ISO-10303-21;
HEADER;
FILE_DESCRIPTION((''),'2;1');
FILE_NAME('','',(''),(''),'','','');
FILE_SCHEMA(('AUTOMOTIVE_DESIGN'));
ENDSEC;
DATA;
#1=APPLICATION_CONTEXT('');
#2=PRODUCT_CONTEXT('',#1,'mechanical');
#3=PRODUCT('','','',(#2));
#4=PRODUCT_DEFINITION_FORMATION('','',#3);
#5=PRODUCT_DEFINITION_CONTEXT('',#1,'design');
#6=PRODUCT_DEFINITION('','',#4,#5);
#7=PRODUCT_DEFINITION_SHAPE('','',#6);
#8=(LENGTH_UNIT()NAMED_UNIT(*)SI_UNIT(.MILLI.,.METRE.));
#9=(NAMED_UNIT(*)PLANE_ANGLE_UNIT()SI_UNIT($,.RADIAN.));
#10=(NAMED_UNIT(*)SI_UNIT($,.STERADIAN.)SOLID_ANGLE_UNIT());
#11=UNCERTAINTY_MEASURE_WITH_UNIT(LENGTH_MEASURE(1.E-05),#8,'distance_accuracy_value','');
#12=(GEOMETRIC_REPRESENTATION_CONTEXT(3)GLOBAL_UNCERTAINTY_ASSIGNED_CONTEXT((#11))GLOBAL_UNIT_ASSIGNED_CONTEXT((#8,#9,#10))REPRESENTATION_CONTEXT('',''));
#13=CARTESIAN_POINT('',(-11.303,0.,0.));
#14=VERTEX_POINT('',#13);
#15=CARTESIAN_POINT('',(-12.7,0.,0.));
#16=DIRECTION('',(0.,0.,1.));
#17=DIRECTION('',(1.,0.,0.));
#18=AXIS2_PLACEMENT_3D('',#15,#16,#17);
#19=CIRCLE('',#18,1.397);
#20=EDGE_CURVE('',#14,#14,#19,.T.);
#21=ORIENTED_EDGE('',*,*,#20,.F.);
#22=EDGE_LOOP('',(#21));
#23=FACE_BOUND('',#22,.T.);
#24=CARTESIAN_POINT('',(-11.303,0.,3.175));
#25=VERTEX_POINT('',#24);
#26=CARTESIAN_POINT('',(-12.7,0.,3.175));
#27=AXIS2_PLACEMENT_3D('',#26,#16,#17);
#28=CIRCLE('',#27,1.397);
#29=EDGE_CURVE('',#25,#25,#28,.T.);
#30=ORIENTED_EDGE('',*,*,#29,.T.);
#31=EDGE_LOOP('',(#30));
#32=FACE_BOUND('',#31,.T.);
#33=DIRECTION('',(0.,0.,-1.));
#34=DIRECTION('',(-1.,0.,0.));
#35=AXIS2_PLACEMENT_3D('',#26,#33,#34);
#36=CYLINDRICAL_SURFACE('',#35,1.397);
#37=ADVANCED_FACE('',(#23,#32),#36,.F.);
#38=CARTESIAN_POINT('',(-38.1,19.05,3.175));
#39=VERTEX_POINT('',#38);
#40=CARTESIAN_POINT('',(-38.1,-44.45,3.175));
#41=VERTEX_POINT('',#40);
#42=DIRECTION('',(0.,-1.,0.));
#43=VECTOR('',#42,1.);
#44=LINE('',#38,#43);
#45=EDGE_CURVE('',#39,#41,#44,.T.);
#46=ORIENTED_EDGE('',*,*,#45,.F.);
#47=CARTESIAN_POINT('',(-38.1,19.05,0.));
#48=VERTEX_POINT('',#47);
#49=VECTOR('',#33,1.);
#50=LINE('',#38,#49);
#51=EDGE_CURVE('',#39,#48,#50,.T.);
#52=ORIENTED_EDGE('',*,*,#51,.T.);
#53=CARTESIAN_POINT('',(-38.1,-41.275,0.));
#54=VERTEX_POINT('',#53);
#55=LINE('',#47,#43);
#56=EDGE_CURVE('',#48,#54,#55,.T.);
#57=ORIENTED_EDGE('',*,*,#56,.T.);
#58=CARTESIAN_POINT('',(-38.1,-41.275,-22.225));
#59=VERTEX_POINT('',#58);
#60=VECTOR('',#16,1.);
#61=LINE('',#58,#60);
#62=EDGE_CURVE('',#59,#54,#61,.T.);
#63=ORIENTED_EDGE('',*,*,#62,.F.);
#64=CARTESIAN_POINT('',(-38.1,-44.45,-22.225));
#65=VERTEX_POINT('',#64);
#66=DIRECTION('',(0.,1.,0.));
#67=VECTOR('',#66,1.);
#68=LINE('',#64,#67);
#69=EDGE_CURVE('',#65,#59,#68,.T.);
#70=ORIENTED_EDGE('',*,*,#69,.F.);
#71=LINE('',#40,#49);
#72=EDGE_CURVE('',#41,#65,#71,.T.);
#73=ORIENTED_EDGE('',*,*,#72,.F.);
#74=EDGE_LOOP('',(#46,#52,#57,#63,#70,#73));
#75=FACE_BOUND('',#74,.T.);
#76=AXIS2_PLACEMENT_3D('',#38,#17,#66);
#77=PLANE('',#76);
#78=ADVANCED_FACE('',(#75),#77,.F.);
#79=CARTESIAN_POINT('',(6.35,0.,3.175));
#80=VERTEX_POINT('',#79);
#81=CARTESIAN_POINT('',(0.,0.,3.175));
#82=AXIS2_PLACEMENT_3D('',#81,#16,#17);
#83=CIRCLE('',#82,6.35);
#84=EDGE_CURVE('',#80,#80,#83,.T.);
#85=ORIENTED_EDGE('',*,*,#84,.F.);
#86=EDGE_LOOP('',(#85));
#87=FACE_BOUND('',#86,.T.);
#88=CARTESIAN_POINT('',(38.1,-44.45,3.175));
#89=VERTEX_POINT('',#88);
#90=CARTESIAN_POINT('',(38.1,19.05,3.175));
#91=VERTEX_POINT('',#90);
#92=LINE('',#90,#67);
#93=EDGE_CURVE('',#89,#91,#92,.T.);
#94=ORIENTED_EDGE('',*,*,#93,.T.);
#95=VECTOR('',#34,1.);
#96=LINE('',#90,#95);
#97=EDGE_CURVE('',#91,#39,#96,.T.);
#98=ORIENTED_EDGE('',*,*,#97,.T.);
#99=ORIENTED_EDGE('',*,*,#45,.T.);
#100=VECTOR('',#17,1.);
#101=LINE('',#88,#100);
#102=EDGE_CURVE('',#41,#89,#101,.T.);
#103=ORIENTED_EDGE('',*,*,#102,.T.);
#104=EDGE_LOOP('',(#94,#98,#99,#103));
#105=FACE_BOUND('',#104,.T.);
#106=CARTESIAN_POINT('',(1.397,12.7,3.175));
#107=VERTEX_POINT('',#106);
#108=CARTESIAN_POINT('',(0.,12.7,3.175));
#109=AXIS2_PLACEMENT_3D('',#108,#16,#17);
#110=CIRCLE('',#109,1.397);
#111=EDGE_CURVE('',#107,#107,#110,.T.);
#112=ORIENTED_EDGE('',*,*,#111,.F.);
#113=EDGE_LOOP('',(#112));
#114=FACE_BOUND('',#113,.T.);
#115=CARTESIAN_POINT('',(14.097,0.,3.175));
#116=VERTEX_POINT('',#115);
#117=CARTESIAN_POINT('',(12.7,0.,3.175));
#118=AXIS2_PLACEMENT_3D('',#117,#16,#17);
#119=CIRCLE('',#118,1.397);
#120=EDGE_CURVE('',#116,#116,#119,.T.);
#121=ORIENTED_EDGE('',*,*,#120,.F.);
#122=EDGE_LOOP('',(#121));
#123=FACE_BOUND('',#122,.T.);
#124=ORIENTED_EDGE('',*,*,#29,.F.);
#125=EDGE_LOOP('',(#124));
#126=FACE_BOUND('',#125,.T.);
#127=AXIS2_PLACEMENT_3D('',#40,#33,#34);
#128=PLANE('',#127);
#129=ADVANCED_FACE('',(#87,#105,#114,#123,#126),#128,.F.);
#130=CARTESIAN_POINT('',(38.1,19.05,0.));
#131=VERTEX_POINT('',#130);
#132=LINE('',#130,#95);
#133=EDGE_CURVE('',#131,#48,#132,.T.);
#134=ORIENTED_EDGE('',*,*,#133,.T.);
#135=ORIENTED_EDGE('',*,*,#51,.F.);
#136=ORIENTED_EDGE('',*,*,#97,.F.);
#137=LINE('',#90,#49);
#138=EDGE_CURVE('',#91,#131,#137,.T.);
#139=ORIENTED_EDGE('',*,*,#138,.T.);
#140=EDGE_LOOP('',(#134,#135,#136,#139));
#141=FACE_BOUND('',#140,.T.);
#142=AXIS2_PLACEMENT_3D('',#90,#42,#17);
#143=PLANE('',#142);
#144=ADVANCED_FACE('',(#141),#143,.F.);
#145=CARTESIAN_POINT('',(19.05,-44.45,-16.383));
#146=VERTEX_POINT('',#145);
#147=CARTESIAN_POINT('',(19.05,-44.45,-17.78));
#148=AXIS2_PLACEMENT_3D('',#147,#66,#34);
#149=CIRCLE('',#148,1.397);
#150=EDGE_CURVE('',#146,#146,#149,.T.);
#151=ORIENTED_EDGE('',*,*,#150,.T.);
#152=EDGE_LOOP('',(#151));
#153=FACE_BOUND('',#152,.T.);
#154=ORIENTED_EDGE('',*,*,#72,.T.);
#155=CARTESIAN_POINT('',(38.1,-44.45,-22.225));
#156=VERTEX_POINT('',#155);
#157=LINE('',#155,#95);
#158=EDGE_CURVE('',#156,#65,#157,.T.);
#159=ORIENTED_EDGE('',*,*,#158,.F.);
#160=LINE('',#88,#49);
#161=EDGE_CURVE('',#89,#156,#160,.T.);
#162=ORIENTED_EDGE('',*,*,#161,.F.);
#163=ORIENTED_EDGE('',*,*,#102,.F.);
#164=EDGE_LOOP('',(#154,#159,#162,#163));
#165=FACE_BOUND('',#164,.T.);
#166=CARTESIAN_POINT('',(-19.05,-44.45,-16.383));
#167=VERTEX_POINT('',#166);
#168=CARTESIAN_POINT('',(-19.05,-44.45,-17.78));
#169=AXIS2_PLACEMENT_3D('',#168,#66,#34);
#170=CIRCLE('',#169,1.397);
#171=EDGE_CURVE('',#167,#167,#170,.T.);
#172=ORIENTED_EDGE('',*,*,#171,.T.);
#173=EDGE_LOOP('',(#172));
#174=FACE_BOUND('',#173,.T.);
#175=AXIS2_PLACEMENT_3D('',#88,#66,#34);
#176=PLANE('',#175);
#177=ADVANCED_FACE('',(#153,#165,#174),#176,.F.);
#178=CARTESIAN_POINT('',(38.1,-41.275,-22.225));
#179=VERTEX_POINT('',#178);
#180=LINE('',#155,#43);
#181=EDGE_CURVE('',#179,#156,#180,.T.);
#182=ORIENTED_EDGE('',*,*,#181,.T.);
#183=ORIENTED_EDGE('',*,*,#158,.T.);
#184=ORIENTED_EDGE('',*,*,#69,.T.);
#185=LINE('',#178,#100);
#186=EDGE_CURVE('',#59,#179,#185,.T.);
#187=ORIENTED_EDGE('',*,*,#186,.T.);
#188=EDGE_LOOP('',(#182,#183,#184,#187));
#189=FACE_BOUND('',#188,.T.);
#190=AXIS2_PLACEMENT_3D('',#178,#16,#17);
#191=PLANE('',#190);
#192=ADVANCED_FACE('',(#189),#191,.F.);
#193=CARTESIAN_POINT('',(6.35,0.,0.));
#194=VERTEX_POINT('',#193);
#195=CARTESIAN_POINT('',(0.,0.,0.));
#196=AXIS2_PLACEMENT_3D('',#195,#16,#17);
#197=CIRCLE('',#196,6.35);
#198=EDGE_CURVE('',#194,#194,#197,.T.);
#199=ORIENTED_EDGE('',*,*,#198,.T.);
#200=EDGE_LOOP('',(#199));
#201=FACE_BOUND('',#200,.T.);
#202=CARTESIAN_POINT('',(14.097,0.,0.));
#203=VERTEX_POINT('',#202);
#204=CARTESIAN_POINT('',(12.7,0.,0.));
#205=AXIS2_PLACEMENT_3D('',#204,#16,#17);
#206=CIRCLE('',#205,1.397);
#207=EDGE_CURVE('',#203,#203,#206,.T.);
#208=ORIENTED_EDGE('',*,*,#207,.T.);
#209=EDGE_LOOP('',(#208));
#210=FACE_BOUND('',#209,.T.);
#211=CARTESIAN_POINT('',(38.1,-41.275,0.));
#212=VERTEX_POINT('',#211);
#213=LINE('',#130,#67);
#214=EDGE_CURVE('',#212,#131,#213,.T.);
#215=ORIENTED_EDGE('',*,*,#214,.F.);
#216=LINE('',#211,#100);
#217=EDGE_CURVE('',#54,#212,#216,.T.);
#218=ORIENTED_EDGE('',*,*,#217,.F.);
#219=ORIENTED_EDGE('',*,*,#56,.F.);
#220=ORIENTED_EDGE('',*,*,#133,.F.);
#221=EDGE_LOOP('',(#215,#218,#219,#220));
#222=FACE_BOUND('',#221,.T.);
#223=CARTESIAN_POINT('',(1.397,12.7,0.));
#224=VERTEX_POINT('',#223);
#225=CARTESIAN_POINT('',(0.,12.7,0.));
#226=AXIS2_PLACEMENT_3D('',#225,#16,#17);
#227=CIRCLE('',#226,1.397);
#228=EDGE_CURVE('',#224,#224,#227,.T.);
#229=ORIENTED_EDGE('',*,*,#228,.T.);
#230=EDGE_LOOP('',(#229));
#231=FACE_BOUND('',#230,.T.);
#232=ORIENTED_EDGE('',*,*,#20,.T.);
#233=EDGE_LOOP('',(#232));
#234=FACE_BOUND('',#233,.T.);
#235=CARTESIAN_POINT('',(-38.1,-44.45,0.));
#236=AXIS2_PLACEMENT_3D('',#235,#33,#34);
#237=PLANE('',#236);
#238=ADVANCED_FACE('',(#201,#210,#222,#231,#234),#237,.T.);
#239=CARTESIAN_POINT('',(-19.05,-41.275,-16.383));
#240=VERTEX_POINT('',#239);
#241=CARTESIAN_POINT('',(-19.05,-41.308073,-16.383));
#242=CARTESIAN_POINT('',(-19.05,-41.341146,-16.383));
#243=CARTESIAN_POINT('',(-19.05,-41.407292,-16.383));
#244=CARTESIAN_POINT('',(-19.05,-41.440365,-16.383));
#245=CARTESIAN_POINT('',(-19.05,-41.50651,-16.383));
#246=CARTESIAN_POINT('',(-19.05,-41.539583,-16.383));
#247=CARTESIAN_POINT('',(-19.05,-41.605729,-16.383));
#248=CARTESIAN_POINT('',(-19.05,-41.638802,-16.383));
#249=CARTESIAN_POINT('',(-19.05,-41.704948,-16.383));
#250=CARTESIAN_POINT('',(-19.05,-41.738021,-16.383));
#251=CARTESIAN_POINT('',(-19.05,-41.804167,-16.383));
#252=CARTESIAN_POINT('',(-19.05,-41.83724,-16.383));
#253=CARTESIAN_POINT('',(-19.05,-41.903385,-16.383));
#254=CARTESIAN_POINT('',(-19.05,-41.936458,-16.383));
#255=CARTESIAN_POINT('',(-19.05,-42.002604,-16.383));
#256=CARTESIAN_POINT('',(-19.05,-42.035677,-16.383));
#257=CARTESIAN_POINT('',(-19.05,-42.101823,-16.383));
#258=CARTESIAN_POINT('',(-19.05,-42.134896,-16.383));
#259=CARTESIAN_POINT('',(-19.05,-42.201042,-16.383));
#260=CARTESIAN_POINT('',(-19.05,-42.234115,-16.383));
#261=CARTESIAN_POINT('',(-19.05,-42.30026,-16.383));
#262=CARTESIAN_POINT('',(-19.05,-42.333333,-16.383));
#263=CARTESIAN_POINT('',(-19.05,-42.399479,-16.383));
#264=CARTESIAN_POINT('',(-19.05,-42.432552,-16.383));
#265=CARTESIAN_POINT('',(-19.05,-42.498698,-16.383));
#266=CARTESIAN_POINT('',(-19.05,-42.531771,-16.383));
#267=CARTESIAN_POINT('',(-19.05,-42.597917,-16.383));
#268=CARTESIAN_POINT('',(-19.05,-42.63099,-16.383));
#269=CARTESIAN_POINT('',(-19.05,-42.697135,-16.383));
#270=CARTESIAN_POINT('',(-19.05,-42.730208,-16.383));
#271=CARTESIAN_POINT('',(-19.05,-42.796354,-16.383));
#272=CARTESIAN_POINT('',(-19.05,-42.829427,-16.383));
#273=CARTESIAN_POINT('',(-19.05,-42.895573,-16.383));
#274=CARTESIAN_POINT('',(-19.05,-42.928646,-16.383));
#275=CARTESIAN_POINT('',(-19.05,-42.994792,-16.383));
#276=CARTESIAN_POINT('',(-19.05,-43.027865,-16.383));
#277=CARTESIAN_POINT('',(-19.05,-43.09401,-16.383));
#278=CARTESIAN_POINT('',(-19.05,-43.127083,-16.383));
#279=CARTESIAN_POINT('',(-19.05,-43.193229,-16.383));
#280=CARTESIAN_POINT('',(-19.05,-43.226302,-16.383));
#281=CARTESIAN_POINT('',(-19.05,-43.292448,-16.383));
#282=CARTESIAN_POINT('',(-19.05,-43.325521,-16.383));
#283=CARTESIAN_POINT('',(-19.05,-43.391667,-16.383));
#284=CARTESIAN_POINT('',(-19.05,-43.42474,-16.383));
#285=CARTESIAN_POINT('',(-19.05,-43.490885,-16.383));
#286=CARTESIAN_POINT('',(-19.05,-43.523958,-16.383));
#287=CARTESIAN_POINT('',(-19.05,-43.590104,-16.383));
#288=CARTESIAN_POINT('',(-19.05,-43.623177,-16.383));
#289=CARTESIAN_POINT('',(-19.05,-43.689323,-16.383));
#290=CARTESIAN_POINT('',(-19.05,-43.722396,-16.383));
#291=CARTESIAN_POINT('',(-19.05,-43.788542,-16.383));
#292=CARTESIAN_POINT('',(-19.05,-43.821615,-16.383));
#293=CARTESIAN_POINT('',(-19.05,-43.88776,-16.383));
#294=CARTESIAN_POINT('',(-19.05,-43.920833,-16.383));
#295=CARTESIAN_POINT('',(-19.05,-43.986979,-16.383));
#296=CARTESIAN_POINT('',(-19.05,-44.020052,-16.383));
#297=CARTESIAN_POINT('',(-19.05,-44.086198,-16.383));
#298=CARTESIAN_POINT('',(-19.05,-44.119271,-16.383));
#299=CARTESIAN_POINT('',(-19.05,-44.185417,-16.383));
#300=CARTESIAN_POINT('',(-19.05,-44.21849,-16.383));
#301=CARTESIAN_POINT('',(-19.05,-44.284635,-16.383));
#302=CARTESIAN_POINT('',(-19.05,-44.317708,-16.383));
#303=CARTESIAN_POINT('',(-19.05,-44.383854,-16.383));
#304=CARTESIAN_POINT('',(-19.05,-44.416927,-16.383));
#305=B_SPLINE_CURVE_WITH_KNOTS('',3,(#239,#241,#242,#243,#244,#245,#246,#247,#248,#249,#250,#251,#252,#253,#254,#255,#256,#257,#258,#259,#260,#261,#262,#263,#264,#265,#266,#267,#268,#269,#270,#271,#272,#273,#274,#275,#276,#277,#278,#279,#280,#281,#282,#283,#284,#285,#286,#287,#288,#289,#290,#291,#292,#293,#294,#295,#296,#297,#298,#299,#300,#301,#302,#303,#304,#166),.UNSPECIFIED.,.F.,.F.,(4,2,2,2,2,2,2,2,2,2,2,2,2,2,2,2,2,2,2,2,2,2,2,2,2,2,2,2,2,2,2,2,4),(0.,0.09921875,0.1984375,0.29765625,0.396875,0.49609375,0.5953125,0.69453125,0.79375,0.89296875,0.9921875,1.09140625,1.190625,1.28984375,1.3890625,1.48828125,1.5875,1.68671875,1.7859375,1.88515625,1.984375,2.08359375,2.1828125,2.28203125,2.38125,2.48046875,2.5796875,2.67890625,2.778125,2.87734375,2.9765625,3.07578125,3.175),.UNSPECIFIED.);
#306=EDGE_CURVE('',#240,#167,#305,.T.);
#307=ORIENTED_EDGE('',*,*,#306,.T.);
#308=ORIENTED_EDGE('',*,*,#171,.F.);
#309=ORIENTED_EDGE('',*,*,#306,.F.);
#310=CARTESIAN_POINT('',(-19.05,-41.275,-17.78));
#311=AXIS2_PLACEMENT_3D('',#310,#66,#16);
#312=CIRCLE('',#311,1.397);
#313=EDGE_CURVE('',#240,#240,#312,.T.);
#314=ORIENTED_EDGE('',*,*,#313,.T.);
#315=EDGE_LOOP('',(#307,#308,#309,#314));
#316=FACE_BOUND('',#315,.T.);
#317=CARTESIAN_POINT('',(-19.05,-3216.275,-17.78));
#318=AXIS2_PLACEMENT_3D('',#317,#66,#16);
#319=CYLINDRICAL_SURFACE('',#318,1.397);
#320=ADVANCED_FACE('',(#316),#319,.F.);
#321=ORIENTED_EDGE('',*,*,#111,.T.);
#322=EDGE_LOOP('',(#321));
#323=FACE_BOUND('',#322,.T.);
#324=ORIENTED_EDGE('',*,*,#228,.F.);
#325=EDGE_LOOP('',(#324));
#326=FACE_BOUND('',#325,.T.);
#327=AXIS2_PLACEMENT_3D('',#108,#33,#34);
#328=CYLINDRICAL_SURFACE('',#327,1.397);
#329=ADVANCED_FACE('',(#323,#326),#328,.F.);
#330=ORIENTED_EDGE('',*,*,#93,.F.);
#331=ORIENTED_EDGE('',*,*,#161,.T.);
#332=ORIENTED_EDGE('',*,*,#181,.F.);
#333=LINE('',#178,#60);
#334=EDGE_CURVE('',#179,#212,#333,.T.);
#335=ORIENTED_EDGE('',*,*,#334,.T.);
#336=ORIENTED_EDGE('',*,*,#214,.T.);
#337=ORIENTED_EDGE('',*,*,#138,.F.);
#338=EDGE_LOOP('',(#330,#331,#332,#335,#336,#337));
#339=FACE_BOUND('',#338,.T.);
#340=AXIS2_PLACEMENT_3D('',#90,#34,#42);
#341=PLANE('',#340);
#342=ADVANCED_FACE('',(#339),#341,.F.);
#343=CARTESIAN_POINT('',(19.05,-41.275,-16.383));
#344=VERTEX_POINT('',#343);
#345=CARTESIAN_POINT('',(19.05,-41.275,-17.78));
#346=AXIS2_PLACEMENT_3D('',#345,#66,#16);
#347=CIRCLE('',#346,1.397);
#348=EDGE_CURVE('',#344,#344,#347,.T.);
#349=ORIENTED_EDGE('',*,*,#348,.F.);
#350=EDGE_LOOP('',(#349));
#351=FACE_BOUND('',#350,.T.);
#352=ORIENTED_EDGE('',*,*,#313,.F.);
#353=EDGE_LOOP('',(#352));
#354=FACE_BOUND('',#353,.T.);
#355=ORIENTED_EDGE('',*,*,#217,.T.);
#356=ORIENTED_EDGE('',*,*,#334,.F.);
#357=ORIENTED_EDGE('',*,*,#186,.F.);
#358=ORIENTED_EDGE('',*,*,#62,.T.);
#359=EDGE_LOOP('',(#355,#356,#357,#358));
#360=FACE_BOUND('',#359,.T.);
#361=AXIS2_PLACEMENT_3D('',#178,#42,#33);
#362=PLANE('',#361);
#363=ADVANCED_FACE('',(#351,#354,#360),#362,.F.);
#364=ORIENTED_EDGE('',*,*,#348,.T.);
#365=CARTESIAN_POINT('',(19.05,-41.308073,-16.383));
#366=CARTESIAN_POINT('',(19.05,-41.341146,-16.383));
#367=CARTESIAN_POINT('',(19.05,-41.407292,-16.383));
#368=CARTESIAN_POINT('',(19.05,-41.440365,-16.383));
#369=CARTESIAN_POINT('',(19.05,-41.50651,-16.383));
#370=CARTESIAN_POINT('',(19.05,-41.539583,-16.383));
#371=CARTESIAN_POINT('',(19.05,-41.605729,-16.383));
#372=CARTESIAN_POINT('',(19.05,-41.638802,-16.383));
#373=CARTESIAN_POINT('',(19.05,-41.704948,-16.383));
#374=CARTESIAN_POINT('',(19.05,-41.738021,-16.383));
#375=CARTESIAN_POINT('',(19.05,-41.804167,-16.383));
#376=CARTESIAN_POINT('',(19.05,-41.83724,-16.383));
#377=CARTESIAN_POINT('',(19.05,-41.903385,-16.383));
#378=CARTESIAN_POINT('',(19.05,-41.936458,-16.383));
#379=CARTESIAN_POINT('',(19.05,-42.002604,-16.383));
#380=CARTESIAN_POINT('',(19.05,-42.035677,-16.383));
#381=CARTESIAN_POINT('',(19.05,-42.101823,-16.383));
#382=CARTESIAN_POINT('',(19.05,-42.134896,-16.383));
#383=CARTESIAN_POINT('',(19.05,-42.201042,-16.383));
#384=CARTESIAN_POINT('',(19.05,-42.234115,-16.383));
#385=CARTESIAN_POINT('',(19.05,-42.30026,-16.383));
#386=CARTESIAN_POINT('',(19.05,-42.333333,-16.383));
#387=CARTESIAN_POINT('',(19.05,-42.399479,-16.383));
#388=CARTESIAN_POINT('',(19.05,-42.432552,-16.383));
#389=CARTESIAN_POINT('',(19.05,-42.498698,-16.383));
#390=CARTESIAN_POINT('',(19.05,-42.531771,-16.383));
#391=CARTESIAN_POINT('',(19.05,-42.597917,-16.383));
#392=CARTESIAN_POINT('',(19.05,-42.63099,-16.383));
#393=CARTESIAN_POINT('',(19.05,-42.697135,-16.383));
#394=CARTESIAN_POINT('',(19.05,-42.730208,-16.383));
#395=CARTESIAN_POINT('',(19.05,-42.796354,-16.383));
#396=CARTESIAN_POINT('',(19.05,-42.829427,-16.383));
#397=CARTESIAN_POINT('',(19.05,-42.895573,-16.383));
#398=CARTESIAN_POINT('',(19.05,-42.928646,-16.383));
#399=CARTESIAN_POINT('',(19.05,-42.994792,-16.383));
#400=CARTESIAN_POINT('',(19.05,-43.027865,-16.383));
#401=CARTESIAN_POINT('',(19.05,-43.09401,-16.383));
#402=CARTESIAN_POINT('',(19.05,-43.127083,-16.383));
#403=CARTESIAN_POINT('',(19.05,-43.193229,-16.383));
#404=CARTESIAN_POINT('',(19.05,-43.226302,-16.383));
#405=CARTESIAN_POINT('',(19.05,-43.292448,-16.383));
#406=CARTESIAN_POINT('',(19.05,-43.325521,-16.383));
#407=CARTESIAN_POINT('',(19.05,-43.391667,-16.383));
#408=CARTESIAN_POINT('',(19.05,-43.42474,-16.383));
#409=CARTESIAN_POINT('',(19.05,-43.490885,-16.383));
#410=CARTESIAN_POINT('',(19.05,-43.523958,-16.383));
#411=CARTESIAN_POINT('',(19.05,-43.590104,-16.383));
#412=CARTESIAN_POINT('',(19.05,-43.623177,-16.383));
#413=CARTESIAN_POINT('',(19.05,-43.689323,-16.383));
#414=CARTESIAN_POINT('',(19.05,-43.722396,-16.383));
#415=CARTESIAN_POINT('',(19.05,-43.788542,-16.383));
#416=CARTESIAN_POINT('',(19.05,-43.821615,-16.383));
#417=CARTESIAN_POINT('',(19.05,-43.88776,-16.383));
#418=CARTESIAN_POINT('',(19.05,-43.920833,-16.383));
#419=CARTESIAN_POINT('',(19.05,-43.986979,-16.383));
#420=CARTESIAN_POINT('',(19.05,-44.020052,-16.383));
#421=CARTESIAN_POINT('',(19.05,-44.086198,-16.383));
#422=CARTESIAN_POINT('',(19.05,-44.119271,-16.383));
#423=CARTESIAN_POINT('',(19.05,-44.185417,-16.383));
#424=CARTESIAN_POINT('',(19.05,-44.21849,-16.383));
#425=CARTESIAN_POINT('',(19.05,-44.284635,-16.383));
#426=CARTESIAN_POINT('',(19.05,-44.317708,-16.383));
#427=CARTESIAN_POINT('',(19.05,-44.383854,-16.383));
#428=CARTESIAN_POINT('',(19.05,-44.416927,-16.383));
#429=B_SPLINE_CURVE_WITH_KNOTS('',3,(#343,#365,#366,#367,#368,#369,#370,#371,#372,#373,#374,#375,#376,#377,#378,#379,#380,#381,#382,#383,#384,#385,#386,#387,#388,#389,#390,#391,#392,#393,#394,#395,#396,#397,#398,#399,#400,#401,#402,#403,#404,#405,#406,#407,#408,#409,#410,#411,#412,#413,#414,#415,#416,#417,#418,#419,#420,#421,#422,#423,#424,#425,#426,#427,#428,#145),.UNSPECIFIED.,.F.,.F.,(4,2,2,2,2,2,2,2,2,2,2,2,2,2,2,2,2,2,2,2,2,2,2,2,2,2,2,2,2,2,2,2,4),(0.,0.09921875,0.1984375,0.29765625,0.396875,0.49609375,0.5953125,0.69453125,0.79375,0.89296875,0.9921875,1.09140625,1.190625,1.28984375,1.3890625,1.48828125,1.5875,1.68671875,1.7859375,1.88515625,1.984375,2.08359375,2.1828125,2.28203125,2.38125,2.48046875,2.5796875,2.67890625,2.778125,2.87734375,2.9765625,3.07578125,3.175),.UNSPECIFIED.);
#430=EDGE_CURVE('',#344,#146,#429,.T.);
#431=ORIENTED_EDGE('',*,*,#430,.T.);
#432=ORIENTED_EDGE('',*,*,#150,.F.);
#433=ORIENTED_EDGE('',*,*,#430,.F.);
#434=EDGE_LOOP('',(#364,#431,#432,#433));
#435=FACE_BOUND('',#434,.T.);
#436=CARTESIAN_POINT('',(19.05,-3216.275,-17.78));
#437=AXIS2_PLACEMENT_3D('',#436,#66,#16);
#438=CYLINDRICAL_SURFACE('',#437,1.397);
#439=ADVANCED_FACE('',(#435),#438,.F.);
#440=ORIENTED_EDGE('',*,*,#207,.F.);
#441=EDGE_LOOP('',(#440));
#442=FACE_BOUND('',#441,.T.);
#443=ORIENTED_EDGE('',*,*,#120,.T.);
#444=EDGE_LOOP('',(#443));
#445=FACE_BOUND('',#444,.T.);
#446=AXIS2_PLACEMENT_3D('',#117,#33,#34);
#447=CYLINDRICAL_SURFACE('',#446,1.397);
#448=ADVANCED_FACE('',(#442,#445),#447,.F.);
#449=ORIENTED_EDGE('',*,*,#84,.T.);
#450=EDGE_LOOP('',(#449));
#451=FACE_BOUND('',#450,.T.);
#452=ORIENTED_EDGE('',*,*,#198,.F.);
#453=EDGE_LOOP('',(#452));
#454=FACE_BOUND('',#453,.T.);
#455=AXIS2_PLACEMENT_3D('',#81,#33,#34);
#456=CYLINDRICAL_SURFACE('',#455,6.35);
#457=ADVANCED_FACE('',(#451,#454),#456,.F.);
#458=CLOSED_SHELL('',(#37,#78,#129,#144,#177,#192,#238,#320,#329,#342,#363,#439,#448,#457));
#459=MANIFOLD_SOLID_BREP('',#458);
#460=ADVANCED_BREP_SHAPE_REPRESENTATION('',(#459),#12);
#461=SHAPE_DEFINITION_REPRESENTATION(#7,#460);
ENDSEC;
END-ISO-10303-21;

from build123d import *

# Parameters (mm, degrees)
SKETCH1_W           = 76.2
SKETCH1_H           = 63.5
SKETCH1_R           = 6.35
SKETCH1_R_2         = 1.397
BOSS_EXTRUDE1_DEPTH = 3.175
SKETCH2_W           = 76.2
SKETCH2_H           = 3.175
BOSS_EXTRUDE2_DEPTH = 22.225
SKETCH3_R           = 1.397
CUT_EXTRUDE1_DEPTH  = 3175


with BuildPart() as part:
    # Sketch1 → Boss-Extrude1 (new body)
    with BuildSketch(Plane.XY):
        with Locations((0, -12.7)):
            Rectangle(SKETCH1_W, SKETCH1_H)
        Circle(SKETCH1_R, mode=Mode.SUBTRACT)
        with Locations((0, 12.7)):
            Circle(SKETCH1_R_2, mode=Mode.SUBTRACT)
        with Locations((-12.7, 0)):
            Circle(SKETCH1_R_2, mode=Mode.SUBTRACT)
        with Locations((12.7, 0)):
            Circle(SKETCH1_R_2, mode=Mode.SUBTRACT)
    extrude(amount=BOSS_EXTRUDE1_DEPTH)

    # Sketch2 → Boss-Extrude2 (add)
    with BuildSketch(Plane(origin=(0, 0, 0), x_dir=(-1, 0, 0), z_dir=(0, 0, -1))):
        with Locations((0, -42.8625)):
            Rectangle(SKETCH2_W, SKETCH2_H)
    extrude(amount=BOSS_EXTRUDE2_DEPTH)

    # Sketch3 → Cut-Extrude1 (cut)
    with BuildSketch(Plane(origin=(0, -41.275, 0), x_dir=(1, 0, 0), z_dir=(0, 1, 0))):
        with Locations(Location((-19.05, 17.78, 0), (0, 0, 270))):
            Circle(SKETCH3_R)
        with Locations(Location((19.05, 17.78, 0), (0, 0, 270))):
            Circle(SKETCH3_R)
    extrude(amount=-CUT_EXTRUDE1_DEPTH, mode=Mode.SUBTRACT)


solid = part.part
